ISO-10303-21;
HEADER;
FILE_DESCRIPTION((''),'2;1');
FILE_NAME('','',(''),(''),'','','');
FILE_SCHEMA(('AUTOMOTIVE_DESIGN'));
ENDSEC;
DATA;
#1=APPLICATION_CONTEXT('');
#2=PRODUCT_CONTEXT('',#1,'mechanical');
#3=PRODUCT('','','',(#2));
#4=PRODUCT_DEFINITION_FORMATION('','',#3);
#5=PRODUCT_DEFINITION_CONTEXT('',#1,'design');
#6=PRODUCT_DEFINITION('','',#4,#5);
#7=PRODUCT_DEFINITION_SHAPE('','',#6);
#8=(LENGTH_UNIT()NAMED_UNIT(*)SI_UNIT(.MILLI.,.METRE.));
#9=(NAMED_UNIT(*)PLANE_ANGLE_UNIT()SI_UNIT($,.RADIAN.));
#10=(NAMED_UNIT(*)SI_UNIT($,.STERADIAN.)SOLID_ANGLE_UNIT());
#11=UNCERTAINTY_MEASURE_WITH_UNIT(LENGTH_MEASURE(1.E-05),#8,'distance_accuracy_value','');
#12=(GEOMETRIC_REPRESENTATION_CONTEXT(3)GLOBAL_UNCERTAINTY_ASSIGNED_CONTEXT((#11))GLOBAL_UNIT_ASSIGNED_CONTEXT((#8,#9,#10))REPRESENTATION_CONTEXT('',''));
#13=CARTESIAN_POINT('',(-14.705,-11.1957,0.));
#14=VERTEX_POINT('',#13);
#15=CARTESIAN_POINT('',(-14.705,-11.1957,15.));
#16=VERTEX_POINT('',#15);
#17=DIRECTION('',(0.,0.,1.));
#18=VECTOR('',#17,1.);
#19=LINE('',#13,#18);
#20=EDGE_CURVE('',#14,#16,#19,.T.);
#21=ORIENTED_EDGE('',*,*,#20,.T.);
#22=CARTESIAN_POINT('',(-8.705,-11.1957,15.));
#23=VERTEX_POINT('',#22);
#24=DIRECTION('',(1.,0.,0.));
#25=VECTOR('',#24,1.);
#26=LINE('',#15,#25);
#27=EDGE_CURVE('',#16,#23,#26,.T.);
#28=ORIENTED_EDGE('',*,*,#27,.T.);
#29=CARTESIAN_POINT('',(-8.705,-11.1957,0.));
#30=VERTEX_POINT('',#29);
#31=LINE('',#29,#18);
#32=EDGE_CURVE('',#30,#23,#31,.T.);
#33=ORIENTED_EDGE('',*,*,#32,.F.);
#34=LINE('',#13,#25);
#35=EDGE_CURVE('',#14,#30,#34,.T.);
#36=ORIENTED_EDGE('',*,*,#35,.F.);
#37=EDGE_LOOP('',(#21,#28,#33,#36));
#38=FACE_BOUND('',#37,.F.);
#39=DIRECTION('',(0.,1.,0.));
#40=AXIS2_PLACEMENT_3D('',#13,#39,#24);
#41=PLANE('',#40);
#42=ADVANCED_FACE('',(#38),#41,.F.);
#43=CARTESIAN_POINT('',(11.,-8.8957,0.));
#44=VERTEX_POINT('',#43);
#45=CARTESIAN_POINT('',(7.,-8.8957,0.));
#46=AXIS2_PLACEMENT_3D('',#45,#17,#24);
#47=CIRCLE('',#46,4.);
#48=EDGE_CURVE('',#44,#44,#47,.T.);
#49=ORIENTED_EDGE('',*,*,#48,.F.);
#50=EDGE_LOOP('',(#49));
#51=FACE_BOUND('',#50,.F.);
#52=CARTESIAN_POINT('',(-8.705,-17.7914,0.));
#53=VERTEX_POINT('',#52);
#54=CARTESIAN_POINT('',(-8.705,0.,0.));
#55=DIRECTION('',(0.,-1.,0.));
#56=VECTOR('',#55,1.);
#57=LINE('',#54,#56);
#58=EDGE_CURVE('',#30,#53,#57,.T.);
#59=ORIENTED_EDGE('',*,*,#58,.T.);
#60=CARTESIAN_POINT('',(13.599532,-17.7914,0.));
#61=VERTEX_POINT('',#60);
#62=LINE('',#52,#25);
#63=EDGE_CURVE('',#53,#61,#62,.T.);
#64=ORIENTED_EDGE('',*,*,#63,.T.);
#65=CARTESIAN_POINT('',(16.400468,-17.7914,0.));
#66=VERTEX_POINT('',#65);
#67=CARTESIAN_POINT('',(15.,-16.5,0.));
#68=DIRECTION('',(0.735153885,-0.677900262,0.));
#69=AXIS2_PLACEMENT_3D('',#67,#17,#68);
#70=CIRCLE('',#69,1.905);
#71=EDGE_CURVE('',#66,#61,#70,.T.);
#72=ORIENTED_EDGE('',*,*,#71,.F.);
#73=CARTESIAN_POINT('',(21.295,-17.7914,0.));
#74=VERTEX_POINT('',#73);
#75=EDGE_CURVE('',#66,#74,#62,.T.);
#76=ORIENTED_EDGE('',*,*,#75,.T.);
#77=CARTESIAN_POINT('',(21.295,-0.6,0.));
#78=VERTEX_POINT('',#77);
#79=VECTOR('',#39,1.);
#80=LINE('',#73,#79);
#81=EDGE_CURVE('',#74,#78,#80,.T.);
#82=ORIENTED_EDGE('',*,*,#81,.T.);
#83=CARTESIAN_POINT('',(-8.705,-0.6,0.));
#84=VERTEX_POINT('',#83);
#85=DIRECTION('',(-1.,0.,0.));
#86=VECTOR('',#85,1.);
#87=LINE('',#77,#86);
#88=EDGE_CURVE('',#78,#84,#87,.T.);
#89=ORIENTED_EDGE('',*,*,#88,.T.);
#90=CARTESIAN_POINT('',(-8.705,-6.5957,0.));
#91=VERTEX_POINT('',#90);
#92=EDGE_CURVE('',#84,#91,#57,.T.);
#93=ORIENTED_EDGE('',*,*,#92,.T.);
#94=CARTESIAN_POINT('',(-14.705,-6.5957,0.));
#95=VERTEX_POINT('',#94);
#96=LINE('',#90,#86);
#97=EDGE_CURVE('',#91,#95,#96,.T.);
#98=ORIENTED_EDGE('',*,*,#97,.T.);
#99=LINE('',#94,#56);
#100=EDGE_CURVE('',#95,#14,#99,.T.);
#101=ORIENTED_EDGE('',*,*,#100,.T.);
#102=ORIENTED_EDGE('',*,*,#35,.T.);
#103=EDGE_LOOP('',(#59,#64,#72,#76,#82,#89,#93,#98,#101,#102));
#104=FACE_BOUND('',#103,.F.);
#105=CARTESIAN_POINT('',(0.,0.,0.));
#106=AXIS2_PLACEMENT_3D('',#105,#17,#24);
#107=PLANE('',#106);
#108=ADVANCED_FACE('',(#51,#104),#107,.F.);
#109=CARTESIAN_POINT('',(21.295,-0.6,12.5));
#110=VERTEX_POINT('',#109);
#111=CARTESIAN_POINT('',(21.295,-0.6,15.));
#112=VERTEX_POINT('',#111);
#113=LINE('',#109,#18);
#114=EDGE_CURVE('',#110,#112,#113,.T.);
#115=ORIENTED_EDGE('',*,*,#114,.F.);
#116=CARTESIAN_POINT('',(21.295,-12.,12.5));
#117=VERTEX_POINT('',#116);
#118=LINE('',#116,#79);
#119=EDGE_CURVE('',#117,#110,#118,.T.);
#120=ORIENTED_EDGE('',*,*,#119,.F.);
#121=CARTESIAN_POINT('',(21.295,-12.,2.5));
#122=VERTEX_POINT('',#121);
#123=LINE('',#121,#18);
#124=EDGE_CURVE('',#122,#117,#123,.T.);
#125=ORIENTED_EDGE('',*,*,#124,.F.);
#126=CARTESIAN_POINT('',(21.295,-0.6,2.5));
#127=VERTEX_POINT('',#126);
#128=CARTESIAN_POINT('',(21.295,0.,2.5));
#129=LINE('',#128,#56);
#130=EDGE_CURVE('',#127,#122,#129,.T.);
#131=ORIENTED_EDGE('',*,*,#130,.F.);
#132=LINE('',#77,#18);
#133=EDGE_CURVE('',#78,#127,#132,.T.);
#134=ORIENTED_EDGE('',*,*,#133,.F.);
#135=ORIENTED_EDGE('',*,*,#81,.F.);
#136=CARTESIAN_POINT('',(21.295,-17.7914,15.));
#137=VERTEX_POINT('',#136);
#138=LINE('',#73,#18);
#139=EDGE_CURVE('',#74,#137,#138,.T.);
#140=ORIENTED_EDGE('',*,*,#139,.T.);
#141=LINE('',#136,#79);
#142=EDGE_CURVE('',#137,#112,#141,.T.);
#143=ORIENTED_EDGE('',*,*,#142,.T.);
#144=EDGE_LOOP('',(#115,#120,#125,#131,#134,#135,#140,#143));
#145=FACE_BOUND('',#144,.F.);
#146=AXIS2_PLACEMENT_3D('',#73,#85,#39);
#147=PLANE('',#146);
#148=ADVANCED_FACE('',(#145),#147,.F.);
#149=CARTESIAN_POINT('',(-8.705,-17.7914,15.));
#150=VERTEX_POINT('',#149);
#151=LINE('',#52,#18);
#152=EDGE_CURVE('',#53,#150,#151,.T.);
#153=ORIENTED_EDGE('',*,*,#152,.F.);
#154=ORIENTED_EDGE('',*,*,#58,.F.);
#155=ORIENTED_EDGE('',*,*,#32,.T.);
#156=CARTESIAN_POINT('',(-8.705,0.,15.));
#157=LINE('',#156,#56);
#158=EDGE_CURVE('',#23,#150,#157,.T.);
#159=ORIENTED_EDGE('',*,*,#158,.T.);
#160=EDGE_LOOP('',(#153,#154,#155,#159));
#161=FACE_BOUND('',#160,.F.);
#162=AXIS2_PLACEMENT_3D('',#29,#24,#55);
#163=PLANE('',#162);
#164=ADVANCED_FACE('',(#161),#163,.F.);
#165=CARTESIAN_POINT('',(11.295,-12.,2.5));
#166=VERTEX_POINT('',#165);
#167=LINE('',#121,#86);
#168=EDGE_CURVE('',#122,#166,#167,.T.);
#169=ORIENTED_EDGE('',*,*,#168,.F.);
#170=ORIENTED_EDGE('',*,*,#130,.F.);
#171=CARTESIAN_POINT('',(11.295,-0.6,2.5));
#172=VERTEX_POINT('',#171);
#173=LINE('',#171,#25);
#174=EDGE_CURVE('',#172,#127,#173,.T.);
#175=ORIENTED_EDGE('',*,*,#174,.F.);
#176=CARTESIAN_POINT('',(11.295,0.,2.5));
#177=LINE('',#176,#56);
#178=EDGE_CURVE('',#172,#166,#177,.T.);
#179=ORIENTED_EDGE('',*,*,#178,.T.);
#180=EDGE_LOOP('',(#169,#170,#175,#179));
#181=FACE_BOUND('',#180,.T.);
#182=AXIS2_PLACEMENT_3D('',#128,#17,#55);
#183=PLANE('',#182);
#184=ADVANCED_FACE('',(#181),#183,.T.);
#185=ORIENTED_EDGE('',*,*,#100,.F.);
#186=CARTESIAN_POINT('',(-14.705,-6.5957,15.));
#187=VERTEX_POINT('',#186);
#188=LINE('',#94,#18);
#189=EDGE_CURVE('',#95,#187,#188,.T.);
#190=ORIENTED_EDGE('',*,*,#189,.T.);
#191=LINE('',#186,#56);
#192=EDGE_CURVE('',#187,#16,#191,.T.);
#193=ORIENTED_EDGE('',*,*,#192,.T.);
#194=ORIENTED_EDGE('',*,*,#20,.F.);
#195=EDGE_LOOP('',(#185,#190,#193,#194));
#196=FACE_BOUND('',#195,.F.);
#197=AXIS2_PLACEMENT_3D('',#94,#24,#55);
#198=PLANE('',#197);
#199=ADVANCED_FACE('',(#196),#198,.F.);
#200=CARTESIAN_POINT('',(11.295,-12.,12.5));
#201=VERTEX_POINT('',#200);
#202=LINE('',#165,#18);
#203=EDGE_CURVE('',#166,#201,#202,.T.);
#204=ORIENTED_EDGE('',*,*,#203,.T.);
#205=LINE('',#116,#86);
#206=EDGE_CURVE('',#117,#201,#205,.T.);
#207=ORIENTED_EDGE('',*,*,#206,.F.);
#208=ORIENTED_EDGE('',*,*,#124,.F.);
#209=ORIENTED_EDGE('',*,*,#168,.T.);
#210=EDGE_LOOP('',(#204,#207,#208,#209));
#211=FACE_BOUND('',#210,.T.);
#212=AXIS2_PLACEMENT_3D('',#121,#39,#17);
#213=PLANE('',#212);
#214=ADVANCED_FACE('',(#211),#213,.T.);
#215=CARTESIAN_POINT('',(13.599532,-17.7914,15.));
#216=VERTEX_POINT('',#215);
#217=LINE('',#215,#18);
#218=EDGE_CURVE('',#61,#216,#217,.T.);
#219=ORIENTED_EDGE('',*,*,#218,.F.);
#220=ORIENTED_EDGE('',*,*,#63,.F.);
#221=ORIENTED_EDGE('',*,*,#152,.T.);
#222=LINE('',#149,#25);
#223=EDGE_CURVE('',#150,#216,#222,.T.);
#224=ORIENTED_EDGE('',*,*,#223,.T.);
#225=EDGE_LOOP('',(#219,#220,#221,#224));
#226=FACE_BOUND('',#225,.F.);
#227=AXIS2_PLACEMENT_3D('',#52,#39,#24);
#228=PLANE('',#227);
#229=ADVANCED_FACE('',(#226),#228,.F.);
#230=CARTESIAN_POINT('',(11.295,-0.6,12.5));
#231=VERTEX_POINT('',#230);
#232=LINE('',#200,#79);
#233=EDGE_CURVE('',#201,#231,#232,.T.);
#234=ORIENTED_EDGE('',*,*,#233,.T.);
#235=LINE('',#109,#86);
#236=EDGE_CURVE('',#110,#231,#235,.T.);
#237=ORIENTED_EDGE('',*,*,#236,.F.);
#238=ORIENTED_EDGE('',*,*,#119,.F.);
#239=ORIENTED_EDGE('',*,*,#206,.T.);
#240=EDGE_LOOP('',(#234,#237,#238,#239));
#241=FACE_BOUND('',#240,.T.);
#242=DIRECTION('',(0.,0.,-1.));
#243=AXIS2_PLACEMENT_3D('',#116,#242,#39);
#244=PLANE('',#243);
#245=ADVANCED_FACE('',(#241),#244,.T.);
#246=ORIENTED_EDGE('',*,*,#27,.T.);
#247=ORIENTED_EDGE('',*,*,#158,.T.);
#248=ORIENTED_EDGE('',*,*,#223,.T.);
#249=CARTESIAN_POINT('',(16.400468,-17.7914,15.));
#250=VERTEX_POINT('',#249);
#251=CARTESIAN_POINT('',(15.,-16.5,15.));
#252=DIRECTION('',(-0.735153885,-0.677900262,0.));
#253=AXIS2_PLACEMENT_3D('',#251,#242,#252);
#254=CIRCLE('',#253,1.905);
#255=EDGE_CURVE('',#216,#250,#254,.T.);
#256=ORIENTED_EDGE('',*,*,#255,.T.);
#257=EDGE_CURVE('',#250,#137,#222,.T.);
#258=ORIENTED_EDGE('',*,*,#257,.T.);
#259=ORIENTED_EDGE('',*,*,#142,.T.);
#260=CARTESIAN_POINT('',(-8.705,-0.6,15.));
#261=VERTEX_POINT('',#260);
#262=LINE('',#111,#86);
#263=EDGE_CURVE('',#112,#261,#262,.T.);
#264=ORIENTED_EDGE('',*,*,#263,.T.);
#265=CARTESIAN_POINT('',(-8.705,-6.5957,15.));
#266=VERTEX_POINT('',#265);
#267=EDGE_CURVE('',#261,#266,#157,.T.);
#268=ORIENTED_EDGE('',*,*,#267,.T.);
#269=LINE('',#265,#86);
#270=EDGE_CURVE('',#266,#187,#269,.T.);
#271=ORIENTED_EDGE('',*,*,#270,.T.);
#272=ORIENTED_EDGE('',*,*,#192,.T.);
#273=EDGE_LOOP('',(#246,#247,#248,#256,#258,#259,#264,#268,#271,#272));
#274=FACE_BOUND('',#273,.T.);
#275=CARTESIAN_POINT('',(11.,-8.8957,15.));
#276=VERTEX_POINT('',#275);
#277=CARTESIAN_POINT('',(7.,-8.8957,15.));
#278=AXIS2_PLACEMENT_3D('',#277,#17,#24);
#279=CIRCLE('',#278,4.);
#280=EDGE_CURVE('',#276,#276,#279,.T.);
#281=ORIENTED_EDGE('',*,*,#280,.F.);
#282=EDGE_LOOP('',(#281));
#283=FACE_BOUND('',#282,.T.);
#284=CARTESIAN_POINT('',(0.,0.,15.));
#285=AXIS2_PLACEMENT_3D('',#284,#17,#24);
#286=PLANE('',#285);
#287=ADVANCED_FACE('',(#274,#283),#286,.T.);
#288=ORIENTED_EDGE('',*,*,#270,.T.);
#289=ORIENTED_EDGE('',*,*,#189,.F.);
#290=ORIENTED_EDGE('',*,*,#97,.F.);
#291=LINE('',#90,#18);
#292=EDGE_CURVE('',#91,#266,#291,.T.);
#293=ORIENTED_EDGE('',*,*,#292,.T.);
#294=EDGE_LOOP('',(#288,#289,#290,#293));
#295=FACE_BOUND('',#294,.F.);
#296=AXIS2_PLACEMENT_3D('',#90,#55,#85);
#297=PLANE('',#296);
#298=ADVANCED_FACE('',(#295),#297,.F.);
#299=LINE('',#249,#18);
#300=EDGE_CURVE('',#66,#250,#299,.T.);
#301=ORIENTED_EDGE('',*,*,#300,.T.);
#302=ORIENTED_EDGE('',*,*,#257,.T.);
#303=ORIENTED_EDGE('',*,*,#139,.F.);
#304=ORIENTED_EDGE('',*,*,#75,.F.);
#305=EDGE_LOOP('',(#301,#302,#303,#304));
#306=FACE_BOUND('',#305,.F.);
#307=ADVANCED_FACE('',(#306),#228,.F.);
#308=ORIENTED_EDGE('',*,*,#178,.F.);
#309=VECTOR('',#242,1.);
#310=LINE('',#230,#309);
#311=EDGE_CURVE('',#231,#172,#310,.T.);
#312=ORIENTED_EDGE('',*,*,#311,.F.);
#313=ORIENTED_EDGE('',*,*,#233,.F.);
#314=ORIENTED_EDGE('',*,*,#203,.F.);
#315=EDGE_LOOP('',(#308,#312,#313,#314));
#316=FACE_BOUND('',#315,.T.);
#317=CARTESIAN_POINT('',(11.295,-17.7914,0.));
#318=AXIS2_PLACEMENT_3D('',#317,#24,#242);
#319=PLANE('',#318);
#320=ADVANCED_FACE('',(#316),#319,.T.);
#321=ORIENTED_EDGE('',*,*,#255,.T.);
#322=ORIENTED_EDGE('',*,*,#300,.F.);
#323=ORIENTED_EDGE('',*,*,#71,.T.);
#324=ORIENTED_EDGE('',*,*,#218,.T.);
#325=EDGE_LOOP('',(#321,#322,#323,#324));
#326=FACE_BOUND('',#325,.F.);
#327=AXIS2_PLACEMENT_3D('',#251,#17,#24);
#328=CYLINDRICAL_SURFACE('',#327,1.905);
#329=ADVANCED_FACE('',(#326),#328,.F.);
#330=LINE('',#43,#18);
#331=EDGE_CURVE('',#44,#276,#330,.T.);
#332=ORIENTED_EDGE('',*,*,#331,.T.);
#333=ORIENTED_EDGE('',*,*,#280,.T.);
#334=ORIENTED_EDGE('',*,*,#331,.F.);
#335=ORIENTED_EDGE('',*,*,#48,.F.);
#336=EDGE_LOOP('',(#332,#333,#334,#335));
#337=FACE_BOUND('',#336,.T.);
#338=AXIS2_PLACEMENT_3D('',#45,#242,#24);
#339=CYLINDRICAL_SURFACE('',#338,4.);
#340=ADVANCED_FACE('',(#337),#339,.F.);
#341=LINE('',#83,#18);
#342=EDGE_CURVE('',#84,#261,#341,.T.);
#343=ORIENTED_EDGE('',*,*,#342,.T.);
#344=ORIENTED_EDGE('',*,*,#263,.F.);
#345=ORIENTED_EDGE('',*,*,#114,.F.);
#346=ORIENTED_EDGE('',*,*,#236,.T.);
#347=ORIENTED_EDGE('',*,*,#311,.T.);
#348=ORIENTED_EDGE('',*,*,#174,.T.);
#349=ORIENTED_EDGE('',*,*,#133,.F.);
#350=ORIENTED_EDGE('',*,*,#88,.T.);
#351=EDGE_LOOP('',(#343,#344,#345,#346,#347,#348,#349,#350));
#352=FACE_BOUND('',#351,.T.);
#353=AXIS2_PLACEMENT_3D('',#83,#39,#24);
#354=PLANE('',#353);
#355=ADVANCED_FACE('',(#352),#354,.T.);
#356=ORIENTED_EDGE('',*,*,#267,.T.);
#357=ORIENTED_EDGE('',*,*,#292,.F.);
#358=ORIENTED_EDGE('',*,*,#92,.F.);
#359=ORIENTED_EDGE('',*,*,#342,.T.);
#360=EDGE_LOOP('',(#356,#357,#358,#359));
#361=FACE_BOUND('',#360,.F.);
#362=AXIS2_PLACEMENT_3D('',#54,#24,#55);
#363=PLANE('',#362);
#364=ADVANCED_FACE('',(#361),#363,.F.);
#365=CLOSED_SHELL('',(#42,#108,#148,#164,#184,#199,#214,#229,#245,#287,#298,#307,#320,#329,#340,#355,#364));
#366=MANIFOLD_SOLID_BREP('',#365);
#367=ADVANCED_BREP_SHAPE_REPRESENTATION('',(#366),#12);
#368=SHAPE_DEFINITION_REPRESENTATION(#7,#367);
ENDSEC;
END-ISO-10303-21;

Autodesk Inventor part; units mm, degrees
ref_plane "YZ Plane" through (0, 0, 0) normal (1, 0, 0) x (0, 1, 0)
ref_plane "XZ Plane" through (0, 0, 0) normal (0, 1, 0) x (-1, 0, 0)
ref_plane "XY Plane" through (0, 0, 0) normal (0, 0, 1) x (1, 0, 0)
ref_plane "Work Plane1" through (0, 0, 0) normal (0, 0, 1) x (1, 0, 0)
sketch "Sketch1" plane through (0, 0, 0) normal (0, 0, 1) x (1, 0, 0)
  circle A0 centre (7, -8.8957) radius 4 projected
  circle A1 centre (-2.136, 8.8957) radius 4 construction
  line L0 (-8.905, 18.405) -> (-8.905, 11.3957) construction
  line L1 (-8.905, 11.3957) -> (-14.905, 11.3957) construction
  line L2 (-14.905, 11.3957) -> (-14.905, 6.3957) construction
  line L3 (-14.905, 6.3957) -> (-8.905, 6.3957) construction
  line L4 (-8.905, 6.3957) -> (-8.905, -6.3957) construction
  line L5 (-8.905, -6.3957) -> (-14.905, -6.3957) construction
  line L6 (-14.905, -6.3957) -> (-14.905, -11.3957) construction
  line L7 (-14.905, -11.3957) -> (-8.905, -11.3957) construction
  line L8 (-8.905, -11.3957) -> (-8.905, -18.405) construction
  line L9 (-8.905, -18.405) -> (15, -18.405) construction
  circle A2 centre (15, -16.5) radius 1.905 construction
  line L10 (15, -18.405) -> (34, -18.405) construction
  line L11 (34, 18.405) -> (34, -18.405) construction
  line L12 (34, 18.405) -> (15, 18.405) construction
  circle A3 centre (15, 16.5) radius 1.905 construction
  line L13 (15, 18.405) -> (-8.905, 18.405) construction
  arc A4 (13.5995, 17.7914) -> (16.4005, 17.7914) centre (15, 16.5) ccw construction
  line L14 (13.5995, 17.7914) -> (-8.705, 17.7914) construction
  line L15 (-8.705, 17.7914) -> (-8.705, 11.1957) construction
  line L16 (-8.705, 11.1957) -> (-14.705, 11.1957) construction
  line L17 (-14.705, 11.1957) -> (-14.705, 6.5957) construction
  line L18 (-14.705, 6.5957) -> (-8.705, 6.5957) construction
  line L19 (-8.705, 6.5957) -> (-8.705, 0) construction
  line L20 (-8.705, 0) -> (21.295, 0) construction
  line L21 (21.295, 0) -> (21.295, 17.7914) construction
  line L22 (21.295, 17.7914) -> (16.4005, 17.7914) construction
  circle A5 centre (-2.136, 8.8957) radius 4 construction
  circle A6 centre (7, -8.8957) radius 4 construction
  line L23 (-14.705, -11.1957) -> (-8.705, -11.1957)
  line L24 (-8.705, -11.1957) -> (-8.705, -6.5957)
  line L25 (-8.705, -6.5957) -> (-14.705, -6.5957)
  line L26 (-14.705, -6.5957) -> (-14.705, -11.1957)
  line L27 (-8.705, -17.7914) -> (21.295, -17.7914)
  line L28 (21.295, -17.7914) -> (21.295, 0)
  line L29 (21.295, 0) -> (-8.705, 0)
  line L30 (-8.705, 0) -> (-8.705, -17.7914)
  point P0 (0, 0)
  point P1 (-8.705, -8.8957)
  dimension "d0" = 0.2
extrude "Extrusion1" add sketch "Sketch1" along normal blind 15
sketch "Sketch2" plane through (0, 0, 15) normal (0, 0, 1) x (1, 0, 0)
  circle A0 centre (15, -16.5) radius 1.905 projected
  point P0 (0, 0)
extrude "Extrusion2" cut sketch "Sketch2" against normal through all
sketch "Sketch3" plane through (21.295, -17.7914, 0) normal (1, 0, 0) x (0, 0, -1)
  line L0 (0, 0) -> (0, 17.7914) construction
  line L1 (0, 17.7914) -> (-15, 17.7914) construction
  line L2 (-15, 0) -> (-15, 17.7914) construction
  line L3 (0, 0) -> (-15, 0) construction
  line L4 (-18.5, 17.7914) -> (-28.5, 17.7914) construction
  line L5 (-18.5, 29.7914) -> (-18.5, 17.7914) construction
  line L6 (-28.5, 29.7914) -> (-18.5, 29.7914) construction
  line L7 (-28.5, 17.7914) -> (-28.5, 29.7914) construction
  line L8 (-2.5, 5.7914) -> (-12.5, 5.7914)
  line L9 (-12.5, 5.7914) -> (-12.5, 17.7914)
  line L10 (-12.5, 17.7914) -> (-2.5, 17.7914)
  line L11 (-2.5, 17.7914) -> (-2.5, 5.7914)
  point P0 (0, 17.7914)
  point P1 (-7.5, 17.7914)
extrude "Extrusion3" cut sketch "Sketch3" against normal blind 10
sketch "Sketch4" plane through (-8.705, 0, 0) normal (0, 1, 0) x (1, 0, 0)
  line L0 (30, -12.5) -> (20, -12.5) projected
  line L1 (20, -12.5) -> (20, -2.5) projected
  line L2 (20, -2.5) -> (30, -2.5) projected
  line L3 (30, 0) -> (30, -2.5) projected
  line L4 (30, 0) -> (0, 0) projected
  line L5 (0, 0) -> (0, -15) projected
  line L6 (30, -15) -> (0, -15) projected
  line L7 (30, -12.5) -> (30, -15) projected
  point P0 (8.705, 0)
extrude "Extrusion4" cut sketch "Sketch4" against normal blind 0.6
properties part number "long selector"
